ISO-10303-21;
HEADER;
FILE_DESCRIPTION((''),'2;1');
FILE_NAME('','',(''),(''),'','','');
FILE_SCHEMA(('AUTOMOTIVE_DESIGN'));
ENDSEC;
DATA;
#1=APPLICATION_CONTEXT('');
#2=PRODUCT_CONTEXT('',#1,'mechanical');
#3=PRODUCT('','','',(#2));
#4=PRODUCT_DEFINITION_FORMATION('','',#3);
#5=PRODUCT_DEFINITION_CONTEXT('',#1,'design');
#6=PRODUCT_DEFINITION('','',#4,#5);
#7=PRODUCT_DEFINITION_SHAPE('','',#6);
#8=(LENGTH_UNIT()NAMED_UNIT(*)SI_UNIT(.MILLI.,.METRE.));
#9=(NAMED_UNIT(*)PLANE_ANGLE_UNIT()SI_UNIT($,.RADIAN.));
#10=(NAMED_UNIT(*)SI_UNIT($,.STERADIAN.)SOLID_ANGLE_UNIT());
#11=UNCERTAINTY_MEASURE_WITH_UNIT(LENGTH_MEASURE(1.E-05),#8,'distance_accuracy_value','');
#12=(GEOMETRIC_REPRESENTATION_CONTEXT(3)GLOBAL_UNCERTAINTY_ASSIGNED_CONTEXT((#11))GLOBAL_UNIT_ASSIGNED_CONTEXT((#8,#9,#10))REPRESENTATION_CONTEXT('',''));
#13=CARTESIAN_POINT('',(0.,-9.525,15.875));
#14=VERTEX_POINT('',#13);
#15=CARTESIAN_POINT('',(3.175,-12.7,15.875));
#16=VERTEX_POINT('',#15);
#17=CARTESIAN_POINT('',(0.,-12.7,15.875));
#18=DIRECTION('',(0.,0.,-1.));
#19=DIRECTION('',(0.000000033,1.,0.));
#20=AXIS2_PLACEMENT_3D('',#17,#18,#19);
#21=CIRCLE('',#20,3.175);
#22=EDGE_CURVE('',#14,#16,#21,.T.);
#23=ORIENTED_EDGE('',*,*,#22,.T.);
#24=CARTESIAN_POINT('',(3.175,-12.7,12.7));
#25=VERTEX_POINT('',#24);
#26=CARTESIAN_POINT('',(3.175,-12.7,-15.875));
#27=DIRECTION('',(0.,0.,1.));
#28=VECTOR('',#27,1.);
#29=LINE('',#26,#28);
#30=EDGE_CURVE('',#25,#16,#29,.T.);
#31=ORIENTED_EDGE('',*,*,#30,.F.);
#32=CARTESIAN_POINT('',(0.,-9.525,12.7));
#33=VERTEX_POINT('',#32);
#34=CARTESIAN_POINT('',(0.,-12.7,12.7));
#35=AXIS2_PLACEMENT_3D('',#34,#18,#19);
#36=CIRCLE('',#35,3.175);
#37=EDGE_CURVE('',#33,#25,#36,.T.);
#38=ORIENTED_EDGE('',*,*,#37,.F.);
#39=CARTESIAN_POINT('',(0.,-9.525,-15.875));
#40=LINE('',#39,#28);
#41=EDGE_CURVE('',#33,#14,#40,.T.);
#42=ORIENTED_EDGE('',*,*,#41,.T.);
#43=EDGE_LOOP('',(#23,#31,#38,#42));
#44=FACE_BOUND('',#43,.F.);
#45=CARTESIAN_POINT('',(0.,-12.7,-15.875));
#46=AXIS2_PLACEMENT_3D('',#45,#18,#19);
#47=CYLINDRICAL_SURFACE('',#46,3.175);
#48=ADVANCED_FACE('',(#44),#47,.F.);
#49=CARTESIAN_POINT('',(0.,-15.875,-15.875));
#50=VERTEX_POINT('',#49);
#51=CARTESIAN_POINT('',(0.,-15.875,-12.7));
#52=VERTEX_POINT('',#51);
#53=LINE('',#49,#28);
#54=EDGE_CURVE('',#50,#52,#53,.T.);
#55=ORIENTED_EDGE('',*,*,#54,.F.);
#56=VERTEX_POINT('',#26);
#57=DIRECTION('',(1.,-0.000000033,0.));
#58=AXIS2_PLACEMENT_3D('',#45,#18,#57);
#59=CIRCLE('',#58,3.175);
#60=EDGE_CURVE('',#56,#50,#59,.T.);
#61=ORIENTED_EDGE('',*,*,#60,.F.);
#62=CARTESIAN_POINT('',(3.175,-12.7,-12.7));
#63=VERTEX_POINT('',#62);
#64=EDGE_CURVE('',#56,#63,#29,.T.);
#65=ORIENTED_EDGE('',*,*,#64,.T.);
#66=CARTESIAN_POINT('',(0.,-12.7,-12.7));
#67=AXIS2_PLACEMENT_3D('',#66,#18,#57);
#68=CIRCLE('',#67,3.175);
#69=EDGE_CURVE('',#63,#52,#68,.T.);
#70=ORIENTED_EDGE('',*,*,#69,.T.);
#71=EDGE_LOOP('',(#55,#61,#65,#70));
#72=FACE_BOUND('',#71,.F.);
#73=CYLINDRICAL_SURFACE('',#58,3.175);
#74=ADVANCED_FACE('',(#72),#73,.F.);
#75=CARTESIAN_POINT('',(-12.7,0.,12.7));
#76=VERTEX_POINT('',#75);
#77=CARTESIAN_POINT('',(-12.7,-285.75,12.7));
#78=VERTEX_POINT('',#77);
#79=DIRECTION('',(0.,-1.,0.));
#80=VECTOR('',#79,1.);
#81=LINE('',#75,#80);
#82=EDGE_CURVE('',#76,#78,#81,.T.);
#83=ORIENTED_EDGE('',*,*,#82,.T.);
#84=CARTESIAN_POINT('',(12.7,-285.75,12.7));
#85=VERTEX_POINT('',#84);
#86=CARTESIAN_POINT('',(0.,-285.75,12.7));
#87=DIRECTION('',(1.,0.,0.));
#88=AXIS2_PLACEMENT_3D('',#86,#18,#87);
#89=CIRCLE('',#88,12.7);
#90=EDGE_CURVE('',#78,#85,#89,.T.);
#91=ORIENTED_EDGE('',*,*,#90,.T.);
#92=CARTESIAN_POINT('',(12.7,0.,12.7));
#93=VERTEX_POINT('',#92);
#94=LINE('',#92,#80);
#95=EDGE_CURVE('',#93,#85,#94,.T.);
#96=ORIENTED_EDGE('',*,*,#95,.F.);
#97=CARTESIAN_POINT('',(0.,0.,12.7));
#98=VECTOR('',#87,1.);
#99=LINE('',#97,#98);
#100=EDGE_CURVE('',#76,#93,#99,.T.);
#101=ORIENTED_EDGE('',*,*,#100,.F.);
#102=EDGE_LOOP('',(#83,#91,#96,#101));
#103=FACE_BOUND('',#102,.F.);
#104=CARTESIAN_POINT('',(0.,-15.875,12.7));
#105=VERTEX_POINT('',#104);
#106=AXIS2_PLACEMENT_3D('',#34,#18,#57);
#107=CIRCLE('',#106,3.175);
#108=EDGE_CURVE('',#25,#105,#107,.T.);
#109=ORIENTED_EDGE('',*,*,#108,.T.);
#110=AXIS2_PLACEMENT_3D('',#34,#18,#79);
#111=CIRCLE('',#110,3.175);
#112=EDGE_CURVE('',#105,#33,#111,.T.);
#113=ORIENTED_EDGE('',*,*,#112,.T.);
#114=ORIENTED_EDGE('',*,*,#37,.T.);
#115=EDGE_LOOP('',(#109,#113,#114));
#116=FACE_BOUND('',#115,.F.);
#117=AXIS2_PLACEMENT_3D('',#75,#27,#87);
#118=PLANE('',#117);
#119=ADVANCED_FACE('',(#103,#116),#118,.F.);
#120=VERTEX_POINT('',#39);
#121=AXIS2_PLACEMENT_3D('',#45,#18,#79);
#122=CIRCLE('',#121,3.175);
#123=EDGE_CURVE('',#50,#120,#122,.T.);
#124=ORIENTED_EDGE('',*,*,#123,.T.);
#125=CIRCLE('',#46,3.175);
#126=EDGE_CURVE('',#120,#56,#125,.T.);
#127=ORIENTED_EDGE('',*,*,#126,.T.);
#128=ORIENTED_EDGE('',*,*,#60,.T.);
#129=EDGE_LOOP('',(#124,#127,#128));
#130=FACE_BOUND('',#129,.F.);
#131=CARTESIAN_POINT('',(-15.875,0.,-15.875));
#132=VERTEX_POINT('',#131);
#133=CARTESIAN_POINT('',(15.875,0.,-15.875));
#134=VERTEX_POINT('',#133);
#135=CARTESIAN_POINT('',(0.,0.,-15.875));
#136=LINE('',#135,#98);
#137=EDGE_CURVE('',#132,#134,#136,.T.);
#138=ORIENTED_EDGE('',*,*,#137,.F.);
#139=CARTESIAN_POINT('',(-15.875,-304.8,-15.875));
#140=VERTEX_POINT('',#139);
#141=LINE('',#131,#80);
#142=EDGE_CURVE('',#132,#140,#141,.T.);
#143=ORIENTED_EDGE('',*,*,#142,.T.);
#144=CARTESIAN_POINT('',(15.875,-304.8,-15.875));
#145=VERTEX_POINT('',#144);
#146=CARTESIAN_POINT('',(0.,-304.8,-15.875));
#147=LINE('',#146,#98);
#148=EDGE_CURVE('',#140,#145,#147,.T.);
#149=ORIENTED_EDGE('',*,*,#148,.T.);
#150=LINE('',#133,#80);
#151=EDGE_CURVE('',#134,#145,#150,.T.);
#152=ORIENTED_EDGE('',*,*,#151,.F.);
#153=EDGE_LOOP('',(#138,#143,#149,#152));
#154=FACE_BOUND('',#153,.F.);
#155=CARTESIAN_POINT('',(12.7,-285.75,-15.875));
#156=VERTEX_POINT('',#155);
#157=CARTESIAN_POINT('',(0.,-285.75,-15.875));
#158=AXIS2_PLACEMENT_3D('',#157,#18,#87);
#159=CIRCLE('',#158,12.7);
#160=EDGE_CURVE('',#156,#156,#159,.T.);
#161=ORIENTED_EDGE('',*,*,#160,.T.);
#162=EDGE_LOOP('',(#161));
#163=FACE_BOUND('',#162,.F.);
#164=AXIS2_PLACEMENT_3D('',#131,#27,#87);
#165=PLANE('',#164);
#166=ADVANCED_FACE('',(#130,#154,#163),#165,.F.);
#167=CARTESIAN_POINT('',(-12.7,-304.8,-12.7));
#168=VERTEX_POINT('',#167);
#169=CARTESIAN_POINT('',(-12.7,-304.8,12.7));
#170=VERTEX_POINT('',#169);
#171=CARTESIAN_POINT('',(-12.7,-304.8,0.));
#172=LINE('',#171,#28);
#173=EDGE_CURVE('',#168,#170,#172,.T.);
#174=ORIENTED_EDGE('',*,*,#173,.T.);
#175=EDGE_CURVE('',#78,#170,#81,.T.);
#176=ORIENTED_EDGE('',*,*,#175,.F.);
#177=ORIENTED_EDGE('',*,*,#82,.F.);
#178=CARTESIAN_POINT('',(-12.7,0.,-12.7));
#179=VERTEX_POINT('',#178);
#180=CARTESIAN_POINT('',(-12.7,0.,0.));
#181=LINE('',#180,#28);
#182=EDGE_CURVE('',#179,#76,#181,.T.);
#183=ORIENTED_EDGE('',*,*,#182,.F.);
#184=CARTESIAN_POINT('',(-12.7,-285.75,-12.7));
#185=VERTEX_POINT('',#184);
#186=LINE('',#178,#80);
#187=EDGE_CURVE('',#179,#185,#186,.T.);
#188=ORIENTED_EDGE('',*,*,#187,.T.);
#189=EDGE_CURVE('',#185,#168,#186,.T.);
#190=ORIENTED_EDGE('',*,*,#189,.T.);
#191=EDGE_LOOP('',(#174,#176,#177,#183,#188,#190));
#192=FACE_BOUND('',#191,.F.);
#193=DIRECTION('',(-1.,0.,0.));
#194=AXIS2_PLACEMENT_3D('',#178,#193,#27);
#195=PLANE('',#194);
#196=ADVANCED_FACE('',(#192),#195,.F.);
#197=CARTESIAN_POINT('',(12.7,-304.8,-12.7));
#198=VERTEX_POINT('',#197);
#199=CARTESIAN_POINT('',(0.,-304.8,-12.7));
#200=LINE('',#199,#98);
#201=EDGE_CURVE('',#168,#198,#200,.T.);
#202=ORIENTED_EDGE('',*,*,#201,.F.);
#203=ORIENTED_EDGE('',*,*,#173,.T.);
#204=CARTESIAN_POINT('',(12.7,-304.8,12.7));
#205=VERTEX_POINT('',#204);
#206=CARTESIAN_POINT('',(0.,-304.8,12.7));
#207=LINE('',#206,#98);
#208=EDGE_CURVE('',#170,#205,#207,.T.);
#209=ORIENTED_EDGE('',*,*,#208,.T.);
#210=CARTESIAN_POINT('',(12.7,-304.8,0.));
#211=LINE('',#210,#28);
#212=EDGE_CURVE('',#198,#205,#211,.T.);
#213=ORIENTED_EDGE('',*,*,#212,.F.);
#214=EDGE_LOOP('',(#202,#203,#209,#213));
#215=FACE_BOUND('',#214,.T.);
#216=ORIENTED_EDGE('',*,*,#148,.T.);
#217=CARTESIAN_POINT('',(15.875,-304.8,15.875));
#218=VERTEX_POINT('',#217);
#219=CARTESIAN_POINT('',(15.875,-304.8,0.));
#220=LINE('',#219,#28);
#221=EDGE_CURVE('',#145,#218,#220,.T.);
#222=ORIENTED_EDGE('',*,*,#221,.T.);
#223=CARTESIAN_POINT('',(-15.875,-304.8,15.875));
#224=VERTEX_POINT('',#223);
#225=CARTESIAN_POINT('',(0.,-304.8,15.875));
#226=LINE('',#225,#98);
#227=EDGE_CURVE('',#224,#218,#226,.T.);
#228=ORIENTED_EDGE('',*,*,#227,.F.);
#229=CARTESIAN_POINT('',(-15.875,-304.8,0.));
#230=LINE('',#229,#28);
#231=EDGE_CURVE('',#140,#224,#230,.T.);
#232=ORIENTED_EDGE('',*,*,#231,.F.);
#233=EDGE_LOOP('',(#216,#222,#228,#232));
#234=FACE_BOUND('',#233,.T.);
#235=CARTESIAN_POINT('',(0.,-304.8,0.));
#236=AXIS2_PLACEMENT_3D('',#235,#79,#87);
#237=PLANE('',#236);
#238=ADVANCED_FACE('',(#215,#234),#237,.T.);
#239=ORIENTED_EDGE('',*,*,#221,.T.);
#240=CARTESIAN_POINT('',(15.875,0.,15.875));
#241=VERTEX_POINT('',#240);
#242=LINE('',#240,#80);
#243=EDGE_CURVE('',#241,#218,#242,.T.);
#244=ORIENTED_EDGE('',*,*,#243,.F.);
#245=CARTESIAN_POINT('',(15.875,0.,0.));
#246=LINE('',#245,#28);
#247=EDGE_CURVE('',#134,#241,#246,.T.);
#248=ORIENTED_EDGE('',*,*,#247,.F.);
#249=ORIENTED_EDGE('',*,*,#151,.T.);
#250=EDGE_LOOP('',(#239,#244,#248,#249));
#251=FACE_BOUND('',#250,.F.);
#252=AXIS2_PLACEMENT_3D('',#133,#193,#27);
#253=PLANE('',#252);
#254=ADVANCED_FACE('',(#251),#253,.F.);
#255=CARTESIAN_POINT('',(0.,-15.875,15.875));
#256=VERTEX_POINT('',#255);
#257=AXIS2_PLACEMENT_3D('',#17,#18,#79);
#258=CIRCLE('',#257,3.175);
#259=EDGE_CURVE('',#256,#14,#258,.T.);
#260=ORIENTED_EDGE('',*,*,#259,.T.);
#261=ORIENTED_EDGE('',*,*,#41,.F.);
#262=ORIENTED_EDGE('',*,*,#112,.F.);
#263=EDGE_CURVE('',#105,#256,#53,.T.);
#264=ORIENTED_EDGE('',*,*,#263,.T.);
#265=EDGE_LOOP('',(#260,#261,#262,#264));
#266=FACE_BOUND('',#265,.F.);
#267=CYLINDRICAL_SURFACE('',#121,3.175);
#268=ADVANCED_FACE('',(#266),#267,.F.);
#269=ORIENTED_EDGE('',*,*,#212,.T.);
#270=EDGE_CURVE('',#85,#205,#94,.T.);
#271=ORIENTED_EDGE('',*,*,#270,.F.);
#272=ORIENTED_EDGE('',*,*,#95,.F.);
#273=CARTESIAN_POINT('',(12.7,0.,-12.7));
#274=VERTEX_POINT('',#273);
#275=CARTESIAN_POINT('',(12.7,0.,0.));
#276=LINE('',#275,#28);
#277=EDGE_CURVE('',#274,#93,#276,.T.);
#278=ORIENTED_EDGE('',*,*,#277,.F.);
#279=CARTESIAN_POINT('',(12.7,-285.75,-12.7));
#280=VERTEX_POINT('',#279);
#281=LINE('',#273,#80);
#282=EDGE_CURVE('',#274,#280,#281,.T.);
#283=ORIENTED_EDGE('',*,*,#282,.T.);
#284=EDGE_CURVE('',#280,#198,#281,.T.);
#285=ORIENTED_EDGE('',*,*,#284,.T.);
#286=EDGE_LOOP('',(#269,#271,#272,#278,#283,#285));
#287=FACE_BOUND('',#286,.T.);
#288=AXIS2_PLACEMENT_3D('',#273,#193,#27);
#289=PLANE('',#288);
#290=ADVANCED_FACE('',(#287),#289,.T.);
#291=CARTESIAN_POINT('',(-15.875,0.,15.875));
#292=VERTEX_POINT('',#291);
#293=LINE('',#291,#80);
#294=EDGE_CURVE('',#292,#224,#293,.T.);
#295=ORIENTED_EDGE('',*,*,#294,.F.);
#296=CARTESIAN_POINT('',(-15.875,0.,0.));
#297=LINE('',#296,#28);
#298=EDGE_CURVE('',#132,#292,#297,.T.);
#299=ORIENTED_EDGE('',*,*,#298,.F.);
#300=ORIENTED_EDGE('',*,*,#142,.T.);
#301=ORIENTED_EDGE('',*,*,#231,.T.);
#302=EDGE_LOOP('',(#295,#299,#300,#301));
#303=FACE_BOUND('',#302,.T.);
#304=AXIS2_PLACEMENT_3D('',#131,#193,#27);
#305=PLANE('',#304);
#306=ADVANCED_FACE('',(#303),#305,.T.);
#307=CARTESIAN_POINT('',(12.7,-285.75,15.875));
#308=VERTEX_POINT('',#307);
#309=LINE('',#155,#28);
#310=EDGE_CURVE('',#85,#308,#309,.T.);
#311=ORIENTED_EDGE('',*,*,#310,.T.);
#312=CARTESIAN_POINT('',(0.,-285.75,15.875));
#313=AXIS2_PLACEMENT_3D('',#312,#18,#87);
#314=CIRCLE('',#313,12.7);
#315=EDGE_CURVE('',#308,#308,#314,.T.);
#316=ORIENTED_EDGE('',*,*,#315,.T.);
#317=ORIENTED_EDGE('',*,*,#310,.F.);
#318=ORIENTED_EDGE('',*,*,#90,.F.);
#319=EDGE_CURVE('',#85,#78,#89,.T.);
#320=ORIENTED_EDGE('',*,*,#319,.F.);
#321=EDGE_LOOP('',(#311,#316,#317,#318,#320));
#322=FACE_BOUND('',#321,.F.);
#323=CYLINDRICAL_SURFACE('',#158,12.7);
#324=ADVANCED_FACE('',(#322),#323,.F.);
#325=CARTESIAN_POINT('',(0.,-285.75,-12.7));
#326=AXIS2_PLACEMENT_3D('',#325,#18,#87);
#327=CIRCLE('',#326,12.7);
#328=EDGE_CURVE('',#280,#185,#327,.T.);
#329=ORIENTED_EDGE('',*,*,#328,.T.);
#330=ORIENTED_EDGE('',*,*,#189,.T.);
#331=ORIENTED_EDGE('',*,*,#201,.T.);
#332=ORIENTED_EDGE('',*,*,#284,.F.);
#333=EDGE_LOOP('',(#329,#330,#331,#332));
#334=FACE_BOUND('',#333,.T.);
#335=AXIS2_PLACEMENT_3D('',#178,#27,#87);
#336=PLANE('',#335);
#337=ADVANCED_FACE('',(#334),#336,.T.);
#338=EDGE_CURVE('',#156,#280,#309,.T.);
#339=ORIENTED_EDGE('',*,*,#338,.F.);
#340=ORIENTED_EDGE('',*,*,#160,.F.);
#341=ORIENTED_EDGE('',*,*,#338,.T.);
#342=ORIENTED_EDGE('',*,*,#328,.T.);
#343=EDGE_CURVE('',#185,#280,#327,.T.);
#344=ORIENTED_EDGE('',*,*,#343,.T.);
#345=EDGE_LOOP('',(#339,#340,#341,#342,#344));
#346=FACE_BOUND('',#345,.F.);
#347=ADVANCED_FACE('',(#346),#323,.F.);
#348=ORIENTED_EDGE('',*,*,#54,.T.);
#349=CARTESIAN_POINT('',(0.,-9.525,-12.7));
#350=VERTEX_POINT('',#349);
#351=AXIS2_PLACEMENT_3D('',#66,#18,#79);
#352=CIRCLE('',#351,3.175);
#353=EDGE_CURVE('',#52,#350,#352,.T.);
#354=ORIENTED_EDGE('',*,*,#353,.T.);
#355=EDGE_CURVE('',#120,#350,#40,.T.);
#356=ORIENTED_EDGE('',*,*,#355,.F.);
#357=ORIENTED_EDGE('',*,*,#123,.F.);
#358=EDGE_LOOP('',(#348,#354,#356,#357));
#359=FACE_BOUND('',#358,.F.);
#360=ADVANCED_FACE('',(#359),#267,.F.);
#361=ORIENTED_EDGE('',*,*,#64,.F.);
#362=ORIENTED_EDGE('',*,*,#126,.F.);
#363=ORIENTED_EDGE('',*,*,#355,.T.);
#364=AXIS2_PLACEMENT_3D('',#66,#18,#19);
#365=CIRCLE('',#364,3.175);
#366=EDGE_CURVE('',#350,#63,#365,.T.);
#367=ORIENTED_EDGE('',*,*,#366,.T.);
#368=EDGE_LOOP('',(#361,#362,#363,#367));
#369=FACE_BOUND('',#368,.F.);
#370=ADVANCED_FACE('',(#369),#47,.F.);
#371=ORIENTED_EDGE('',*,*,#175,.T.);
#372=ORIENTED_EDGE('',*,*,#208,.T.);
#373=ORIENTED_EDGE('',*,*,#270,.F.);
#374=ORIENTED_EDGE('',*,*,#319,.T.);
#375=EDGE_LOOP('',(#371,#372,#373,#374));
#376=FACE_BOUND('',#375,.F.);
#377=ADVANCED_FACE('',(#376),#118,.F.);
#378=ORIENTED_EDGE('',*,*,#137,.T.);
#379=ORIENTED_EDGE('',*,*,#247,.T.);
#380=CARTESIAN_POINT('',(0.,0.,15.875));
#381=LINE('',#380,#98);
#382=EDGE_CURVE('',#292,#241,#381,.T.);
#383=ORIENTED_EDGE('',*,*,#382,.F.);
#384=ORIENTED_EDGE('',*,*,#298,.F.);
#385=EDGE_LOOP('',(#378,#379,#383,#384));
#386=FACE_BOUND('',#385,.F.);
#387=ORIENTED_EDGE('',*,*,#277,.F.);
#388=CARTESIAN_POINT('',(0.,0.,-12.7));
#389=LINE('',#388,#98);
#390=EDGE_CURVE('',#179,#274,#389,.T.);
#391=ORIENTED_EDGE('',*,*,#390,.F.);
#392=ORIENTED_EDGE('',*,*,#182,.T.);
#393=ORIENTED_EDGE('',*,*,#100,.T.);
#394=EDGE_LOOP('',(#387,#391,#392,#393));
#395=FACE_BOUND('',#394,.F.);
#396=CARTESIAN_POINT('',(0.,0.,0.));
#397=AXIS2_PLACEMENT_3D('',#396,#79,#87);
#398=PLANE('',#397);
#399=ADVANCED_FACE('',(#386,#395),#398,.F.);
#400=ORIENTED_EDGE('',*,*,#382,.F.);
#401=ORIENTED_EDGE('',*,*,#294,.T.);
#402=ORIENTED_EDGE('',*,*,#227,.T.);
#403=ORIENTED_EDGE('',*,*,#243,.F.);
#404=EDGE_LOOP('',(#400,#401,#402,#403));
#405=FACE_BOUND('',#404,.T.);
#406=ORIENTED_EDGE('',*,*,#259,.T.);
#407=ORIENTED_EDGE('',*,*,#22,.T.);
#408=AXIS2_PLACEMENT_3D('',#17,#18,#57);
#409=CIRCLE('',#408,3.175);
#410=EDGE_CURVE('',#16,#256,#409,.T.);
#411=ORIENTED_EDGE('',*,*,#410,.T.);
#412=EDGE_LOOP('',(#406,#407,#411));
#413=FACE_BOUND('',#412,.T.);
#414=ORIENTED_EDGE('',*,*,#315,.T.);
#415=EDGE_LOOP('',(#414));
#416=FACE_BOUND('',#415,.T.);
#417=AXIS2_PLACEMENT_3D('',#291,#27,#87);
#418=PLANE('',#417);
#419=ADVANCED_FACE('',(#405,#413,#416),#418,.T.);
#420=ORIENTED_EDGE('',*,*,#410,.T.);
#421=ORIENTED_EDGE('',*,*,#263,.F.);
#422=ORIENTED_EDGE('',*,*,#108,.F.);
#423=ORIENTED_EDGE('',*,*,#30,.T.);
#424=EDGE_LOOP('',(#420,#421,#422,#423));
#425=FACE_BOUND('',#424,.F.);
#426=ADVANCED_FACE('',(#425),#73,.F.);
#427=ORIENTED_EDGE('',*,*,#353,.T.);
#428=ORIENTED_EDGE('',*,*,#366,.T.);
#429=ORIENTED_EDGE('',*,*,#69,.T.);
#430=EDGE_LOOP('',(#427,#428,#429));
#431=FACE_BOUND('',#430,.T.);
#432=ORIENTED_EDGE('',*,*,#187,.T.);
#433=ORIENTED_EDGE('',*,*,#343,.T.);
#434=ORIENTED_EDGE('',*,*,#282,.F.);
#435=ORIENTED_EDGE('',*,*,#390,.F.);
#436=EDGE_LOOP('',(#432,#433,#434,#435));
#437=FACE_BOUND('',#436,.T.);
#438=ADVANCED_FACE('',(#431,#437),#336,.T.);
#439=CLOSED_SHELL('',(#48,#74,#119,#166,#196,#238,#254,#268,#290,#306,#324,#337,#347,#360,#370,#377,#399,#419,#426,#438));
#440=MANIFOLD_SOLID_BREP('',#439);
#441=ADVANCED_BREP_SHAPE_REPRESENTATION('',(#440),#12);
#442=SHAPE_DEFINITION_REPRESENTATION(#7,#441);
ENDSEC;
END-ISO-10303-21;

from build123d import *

# Parameters (mm, degrees)
F0_W     = 31.75
F0_H     = 31.75
F0_W_2   = 25.4
F0_H_2   = 25.4
F1_DEPTH = 304.8
F2_R     = 12.7
F3_DEPTH = 31.751


with BuildPart() as f1:
    # F0 (on Front) → F1 (new body)
    with BuildSketch(Plane.XZ):
        Rectangle(F0_W, F0_H)
        Rectangle(F0_W_2, F0_H_2, mode=Mode.SUBTRACT)
    extrude(amount=F1_DEPTH)

    # F2 (on face) → F3 (cut, through all)
    with BuildSketch(Plane(origin=(0, 0, -15.875), x_dir=(1, 0, 0), z_dir=(0, 0, -1))):
        with Locations((0, 285.75)):
            Circle(F2_R)
        with BuildLine():
            ThreePointArc((0, 15.875), (-3.175, 12.7), (0, 9.525))
            Line((0, 9.525), (0, 15.875))
        make_face()
        with BuildLine():
            Line((0, 15.875), (0, 9.525))
            ThreePointArc((0, 9.525), (2.245064, 10.454936), (3.175, 12.7))
            ThreePointArc((3.175, 12.7), (2.245064, 14.945064), (0, 15.875))
        make_face()
    extrude(amount=-F3_DEPTH, mode=Mode.SUBTRACT)


solid = f1.part
